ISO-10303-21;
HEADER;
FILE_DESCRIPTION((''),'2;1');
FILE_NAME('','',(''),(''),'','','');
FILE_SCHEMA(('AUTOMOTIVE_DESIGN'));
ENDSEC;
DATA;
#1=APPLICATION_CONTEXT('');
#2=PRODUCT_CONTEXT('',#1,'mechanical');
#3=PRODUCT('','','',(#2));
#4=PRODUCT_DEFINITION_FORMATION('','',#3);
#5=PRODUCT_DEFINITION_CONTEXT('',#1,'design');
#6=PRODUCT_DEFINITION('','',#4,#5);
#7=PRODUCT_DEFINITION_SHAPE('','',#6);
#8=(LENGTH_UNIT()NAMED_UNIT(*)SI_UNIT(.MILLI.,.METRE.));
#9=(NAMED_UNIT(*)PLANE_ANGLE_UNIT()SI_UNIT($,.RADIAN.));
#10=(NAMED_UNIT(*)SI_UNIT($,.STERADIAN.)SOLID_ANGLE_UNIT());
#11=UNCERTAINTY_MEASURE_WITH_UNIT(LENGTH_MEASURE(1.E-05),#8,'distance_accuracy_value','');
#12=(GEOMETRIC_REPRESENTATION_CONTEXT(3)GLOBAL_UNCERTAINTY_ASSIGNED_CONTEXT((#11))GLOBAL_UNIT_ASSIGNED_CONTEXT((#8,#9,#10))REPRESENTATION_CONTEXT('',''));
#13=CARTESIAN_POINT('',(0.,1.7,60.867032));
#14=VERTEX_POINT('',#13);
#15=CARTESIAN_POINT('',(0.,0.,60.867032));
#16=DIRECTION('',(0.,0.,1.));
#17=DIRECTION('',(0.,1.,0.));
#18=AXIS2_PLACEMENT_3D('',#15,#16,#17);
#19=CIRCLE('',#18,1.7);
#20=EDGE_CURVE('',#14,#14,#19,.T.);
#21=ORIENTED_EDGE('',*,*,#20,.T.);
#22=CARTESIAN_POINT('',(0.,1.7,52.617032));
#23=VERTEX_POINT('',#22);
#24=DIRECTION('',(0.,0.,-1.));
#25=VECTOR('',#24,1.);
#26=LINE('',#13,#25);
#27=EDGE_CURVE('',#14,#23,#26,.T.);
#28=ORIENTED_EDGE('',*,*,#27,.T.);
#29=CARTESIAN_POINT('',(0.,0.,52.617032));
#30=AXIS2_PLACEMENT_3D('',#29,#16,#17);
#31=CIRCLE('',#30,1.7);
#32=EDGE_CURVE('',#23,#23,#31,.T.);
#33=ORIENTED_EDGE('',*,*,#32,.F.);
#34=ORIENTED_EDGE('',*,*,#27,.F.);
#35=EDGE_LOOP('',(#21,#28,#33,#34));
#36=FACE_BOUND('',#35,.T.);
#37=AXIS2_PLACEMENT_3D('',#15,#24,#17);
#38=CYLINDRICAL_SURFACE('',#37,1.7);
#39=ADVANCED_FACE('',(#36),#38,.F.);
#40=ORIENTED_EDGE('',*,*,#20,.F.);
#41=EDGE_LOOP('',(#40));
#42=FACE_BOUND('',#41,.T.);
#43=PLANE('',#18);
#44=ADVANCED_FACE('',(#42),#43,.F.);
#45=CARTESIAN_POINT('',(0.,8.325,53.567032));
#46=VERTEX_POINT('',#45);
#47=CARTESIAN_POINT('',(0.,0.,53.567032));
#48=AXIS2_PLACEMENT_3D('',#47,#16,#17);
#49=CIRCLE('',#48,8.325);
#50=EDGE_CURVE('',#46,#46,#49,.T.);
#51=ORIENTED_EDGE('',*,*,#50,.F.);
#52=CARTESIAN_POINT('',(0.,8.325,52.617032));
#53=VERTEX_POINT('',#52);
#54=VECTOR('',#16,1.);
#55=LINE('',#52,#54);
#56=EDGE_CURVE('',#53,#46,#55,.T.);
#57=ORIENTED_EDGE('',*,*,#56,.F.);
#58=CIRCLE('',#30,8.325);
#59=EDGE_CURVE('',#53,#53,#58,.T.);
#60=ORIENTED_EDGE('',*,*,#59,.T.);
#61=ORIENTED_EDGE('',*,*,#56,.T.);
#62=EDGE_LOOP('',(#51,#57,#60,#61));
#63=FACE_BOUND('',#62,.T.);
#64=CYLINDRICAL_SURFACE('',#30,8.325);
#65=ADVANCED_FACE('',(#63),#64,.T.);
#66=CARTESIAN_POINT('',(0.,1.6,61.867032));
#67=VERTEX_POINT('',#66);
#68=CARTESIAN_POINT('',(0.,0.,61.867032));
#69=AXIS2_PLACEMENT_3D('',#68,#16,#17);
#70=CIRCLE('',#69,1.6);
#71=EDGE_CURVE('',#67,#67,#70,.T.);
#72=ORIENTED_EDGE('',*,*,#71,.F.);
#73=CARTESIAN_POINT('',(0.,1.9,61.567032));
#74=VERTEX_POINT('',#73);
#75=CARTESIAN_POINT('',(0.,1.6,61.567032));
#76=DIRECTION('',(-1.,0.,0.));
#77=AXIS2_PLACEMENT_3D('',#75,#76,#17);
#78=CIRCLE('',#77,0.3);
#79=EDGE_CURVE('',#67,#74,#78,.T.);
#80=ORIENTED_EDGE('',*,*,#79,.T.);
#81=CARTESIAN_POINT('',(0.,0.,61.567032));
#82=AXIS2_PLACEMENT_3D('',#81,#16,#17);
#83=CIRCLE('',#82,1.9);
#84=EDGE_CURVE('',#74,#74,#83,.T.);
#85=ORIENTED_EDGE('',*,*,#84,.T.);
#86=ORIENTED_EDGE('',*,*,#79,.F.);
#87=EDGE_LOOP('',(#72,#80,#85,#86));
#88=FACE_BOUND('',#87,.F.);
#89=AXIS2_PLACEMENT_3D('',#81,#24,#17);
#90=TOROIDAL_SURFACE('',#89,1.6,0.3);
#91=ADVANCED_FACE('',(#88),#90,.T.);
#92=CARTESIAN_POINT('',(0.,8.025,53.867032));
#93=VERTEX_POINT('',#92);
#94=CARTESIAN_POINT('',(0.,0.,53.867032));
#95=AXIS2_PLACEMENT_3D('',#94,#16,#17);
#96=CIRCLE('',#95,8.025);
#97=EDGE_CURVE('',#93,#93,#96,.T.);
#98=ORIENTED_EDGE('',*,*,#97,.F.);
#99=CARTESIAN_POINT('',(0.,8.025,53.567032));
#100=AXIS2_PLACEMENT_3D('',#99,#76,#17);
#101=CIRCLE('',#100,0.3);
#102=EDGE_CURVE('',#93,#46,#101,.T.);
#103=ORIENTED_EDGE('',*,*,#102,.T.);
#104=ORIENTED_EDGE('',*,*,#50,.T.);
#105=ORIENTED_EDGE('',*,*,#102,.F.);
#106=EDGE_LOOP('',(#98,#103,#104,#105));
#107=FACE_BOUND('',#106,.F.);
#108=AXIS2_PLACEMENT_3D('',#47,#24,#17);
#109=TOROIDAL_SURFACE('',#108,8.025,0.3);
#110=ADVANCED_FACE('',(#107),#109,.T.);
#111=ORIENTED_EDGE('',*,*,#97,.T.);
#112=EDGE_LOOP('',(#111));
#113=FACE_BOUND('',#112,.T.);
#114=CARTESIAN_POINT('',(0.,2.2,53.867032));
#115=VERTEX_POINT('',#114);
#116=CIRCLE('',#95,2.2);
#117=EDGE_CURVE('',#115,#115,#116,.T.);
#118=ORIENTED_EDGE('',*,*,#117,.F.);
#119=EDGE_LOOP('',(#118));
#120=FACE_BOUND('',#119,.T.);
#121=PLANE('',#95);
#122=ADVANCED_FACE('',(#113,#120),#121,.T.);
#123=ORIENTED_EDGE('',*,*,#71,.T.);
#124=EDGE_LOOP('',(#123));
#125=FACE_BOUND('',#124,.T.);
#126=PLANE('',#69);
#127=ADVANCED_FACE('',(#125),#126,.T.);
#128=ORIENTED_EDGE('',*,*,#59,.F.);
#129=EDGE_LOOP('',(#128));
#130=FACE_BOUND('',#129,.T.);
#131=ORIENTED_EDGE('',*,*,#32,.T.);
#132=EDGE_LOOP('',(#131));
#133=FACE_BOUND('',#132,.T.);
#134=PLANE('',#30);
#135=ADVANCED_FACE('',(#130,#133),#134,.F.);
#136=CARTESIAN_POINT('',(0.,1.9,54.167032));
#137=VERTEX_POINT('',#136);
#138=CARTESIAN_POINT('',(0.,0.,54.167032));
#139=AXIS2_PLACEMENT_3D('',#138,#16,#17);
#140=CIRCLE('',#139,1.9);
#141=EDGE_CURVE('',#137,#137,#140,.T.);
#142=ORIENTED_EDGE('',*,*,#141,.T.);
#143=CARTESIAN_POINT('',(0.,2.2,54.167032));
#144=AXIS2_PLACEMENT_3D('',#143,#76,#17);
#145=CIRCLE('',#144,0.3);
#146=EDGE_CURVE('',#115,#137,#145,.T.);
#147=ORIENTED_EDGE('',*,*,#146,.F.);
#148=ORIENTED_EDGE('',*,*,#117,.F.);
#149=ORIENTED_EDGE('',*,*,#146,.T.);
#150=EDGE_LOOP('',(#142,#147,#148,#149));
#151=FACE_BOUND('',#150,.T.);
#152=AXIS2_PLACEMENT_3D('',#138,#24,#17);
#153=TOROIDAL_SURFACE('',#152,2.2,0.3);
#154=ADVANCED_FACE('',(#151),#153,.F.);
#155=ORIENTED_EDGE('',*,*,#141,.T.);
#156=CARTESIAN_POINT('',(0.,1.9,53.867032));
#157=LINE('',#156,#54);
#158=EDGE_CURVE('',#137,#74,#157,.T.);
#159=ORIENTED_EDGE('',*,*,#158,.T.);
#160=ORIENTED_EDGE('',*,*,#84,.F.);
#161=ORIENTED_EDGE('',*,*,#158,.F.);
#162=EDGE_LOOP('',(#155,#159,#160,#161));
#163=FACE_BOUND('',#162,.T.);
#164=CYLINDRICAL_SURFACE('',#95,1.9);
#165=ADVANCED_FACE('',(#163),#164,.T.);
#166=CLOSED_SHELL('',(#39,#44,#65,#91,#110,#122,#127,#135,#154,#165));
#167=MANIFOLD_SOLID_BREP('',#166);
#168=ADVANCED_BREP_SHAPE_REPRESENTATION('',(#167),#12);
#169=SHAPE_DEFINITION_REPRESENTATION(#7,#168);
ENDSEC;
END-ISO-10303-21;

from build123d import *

# Parameters (mm, degrees)
F2_R = 0.3
F3_R = 0.3
F4_R = 0.3


with BuildPart() as f1:
    # F0 (on Right) → F1 (revolve)
    with BuildSketch(Plane.YZ):
        Polygon((1.9, 61.867032), (0, 61.867032), (0, 60.867032), (1.7, 60.867032), (1.7, 52.617032), (8.325, 52.617032), (8.325, 53.867032), (1.9, 53.867032), align=None)
    revolve(axis=Axis((0, 0, 61.367032), (0, 0, 1)))

    # F2
    f2_edges = [f1.edges().sort_by_distance(p)[0] for p in [
        (0, -1.9, 61.867032),
    ]]
    fillet(f2_edges, radius=F2_R)

    # F3
    f3_edges = [f1.edges().sort_by_distance(p)[0] for p in [
        (0, -8.325, 53.867032),
    ]]
    fillet(f3_edges, radius=F3_R)

    # F4
    f4_edges = [f1.edges().sort_by_distance(p)[0] for p in [
        (0, -1.9, 53.867032),
    ]]
    fillet(f4_edges, radius=F4_R)


solid = f1.part
